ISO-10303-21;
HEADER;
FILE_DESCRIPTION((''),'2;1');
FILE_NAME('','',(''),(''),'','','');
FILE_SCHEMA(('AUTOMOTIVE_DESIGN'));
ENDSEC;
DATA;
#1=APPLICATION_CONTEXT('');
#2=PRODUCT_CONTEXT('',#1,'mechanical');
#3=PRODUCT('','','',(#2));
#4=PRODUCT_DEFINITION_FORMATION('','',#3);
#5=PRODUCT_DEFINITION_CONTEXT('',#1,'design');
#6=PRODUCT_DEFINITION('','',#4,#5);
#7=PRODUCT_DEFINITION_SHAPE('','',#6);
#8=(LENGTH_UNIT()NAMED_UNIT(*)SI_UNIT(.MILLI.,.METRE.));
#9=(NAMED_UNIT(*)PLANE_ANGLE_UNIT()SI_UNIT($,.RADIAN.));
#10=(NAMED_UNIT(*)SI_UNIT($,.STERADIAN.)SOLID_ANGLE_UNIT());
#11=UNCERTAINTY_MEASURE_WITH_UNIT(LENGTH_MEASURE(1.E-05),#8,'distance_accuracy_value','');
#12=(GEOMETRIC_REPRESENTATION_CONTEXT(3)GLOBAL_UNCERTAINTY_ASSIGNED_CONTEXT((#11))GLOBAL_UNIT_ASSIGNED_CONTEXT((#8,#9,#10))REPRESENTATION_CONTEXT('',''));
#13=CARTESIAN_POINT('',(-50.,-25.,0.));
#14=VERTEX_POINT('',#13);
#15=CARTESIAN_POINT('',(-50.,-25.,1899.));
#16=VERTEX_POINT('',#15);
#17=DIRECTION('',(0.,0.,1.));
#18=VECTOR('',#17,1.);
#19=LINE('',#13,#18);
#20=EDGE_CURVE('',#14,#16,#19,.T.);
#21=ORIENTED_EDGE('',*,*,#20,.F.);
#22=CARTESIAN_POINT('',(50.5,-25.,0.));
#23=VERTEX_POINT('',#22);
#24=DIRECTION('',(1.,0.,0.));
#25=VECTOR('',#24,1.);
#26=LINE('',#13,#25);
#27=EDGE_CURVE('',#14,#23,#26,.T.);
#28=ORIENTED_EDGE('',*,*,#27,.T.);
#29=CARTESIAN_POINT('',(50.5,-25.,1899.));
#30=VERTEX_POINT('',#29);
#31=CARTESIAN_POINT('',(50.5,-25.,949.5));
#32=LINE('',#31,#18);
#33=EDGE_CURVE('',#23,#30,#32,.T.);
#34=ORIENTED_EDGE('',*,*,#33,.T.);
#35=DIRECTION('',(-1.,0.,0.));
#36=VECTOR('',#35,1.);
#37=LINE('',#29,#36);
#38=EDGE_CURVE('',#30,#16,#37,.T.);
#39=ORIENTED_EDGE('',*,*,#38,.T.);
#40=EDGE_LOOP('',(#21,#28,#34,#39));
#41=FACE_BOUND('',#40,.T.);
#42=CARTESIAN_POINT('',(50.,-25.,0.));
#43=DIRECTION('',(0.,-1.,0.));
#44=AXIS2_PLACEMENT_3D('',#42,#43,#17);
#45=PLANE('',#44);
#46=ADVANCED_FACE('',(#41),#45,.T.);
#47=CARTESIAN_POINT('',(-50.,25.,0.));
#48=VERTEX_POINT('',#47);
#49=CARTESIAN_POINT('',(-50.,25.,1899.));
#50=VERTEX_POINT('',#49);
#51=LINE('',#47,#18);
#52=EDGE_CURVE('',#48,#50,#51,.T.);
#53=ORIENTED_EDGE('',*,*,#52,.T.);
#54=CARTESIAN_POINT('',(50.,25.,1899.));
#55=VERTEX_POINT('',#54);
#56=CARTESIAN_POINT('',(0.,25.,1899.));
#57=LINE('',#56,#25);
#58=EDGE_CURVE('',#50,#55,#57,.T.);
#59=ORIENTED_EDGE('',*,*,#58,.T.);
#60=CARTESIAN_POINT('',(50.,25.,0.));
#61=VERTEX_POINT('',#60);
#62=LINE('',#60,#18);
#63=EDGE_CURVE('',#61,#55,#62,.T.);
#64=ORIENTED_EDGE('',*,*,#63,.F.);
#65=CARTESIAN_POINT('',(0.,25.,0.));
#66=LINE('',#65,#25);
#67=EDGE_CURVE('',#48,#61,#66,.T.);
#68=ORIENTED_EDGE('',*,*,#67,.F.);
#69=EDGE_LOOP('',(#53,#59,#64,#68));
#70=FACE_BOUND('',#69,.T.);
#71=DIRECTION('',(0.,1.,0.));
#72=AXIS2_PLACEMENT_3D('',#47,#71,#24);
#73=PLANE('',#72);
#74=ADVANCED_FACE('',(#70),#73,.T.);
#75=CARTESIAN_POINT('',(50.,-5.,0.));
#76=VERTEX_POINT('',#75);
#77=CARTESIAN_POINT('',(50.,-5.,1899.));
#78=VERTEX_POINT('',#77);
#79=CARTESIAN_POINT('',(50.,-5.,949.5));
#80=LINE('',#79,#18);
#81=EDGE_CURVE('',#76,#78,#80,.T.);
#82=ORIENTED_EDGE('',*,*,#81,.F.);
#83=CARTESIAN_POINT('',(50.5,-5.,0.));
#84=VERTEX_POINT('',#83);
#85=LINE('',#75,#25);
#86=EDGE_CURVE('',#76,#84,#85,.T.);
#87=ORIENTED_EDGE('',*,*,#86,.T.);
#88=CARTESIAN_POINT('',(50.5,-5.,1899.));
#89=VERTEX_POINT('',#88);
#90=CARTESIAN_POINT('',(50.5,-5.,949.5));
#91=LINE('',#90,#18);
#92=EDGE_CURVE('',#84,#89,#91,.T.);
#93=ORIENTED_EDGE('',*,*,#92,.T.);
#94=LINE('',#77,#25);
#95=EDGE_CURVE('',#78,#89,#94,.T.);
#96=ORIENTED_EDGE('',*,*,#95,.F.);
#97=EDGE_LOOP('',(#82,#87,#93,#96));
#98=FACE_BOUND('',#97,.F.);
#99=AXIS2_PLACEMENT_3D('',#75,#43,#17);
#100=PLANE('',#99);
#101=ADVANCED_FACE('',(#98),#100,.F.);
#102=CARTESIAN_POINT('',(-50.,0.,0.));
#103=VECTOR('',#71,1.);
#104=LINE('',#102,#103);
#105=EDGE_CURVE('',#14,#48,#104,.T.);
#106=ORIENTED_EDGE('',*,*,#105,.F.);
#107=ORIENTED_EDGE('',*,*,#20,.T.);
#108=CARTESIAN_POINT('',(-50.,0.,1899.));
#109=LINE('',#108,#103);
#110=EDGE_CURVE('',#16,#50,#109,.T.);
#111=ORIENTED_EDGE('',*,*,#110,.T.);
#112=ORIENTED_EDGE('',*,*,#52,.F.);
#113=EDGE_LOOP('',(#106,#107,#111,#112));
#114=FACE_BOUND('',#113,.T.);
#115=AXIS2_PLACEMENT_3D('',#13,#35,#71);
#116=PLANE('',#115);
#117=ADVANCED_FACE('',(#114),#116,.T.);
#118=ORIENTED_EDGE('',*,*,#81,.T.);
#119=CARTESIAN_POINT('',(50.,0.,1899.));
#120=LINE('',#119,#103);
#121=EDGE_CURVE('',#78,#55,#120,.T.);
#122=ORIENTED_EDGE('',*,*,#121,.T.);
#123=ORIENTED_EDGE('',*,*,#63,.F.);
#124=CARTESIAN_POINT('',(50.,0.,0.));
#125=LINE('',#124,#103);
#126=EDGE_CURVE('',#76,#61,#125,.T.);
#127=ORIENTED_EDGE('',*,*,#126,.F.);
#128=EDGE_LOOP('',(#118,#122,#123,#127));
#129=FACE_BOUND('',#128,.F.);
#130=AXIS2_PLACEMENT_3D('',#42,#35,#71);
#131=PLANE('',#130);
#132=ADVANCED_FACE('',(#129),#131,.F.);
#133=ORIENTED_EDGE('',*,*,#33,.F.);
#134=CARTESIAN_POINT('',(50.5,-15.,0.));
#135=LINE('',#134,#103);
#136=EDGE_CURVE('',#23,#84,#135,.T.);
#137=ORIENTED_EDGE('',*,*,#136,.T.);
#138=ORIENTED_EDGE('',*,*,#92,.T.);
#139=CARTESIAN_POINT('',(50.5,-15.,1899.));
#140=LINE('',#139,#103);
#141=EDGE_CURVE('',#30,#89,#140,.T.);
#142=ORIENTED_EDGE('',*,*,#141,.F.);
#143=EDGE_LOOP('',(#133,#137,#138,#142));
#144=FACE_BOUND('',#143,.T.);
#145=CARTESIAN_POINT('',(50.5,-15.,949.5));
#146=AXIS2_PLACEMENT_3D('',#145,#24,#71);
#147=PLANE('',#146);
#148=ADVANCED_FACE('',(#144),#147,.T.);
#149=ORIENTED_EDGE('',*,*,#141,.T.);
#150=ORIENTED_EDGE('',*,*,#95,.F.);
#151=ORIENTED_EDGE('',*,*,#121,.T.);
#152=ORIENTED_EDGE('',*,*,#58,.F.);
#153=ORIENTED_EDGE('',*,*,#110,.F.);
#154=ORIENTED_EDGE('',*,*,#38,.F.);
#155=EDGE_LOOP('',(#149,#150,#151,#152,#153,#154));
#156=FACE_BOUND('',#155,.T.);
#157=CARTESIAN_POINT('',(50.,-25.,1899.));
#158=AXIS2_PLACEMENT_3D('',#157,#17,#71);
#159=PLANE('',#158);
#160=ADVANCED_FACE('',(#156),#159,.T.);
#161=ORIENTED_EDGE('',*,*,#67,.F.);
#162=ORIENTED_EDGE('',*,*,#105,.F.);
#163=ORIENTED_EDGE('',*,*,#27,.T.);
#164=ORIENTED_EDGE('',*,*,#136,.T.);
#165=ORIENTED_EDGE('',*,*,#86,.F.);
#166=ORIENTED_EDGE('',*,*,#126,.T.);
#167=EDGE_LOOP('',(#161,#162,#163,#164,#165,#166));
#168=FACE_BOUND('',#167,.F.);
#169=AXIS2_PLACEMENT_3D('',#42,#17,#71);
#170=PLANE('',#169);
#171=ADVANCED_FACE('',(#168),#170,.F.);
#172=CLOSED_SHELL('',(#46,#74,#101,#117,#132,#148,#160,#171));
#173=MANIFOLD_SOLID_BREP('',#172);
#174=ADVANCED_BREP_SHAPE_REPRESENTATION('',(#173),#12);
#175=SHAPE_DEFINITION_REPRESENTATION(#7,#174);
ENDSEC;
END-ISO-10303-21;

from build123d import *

# Parameters (mm, degrees)
F0_W     = 100
F0_H     = 50
F1_DEPTH = 1899
F2_W     = 20
F2_H     = 1899
F3_DEPTH = 0.5


with BuildPart() as f1:
    # F0 (on Top) → F1 (new body)
    with BuildSketch(Plane.XY):
        Rectangle(F0_W, F0_H)
    extrude(amount=F1_DEPTH)

    # F2 (on face) → F3 (join)
    with BuildSketch(Plane.YZ.offset(50)):
        with Locations((-15, 949.5)):
            Rectangle(F2_W, F2_H)
    extrude(amount=F3_DEPTH)


solid = f1.part
